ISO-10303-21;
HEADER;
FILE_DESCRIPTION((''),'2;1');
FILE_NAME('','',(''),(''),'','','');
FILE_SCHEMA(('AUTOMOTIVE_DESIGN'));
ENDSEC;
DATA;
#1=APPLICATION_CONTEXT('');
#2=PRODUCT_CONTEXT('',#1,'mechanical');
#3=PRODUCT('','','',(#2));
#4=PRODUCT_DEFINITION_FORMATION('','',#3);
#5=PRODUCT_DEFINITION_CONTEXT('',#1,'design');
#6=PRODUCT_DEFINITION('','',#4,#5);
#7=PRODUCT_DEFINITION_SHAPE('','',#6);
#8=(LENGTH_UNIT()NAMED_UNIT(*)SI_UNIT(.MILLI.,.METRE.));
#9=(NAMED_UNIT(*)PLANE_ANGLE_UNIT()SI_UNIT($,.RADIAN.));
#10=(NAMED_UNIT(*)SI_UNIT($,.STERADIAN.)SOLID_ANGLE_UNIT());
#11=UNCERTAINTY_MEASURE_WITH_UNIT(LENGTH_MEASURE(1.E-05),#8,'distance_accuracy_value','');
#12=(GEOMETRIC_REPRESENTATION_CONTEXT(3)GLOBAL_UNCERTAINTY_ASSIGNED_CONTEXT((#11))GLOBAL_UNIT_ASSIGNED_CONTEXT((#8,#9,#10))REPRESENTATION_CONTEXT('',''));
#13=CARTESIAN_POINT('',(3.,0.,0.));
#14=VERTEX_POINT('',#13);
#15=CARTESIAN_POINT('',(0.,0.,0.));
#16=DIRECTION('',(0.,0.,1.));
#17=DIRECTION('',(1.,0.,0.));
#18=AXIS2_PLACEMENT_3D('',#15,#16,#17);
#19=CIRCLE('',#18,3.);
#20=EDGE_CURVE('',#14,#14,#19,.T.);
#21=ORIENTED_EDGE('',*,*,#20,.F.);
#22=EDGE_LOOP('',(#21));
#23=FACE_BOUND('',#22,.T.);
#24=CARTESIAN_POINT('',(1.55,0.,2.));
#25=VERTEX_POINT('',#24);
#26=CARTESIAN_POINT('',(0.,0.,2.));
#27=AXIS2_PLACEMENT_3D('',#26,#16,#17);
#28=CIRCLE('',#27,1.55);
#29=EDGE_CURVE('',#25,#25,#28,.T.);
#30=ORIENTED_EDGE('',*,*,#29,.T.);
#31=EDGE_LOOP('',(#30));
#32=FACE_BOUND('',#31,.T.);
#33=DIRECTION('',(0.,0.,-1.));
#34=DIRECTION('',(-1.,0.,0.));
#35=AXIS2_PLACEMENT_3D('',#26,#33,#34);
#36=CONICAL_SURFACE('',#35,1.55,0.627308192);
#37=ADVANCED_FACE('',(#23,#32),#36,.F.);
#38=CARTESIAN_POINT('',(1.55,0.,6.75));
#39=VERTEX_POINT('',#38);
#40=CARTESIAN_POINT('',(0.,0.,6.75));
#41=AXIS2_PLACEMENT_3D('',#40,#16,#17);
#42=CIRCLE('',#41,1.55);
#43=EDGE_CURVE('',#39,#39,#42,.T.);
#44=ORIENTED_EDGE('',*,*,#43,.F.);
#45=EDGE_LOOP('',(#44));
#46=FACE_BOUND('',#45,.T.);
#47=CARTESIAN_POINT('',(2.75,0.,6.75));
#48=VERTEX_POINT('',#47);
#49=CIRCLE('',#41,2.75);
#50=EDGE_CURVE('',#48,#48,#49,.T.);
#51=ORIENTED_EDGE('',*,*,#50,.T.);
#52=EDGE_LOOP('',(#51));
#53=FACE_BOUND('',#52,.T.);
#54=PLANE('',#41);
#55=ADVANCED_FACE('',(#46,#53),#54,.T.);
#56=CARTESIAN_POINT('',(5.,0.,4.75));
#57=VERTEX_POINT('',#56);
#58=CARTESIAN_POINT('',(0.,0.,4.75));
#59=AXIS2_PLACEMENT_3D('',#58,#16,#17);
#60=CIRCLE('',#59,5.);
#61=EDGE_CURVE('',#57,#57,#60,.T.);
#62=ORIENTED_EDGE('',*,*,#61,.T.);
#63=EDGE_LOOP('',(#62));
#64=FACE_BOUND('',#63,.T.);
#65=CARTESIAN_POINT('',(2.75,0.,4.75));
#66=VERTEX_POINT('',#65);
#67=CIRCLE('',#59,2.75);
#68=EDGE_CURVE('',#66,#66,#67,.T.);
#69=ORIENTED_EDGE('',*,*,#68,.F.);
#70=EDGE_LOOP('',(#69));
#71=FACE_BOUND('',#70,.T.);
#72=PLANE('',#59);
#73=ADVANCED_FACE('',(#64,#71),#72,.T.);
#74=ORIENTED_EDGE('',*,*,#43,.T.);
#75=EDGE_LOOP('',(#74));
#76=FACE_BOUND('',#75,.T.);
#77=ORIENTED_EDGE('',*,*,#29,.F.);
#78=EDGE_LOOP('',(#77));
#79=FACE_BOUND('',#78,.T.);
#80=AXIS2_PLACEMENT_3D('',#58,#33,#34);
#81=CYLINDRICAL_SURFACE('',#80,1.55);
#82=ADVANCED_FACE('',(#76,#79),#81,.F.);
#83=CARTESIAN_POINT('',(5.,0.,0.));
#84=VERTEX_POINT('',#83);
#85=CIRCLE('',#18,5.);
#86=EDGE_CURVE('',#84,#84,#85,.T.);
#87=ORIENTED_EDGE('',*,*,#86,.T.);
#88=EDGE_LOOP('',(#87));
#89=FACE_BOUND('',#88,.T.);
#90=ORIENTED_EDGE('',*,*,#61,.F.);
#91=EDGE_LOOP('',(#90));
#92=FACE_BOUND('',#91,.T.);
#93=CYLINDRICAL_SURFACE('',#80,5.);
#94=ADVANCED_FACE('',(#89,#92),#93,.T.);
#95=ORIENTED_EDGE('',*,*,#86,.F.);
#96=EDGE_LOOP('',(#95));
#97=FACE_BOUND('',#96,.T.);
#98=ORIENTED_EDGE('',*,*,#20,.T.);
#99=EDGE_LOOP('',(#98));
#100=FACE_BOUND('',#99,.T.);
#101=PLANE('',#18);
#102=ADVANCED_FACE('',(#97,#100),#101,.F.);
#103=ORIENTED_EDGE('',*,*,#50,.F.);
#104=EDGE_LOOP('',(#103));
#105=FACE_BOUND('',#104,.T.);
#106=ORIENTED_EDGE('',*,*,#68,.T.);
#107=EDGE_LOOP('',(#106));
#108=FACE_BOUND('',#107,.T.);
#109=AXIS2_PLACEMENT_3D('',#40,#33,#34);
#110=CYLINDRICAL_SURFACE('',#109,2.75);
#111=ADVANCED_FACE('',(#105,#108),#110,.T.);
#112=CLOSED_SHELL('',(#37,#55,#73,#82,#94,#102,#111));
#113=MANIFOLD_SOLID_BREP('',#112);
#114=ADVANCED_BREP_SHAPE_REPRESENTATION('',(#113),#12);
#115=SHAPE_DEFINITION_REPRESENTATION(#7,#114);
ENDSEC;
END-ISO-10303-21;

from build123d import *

# Parameters (mm, degrees)
SKETCH_1_R      = 5
SKETCH_1_R_2    = 1.55
EXTRUDE_1_DEPTH = 4.75
SKETCH_2_R      = 2.75
SKETCH_2_R_2    = 1.55
EXTRUDE_2_DEPTH = 2


with BuildPart() as part:
    # 草图1 → 凸台-拉伸1 (new body)
    with BuildSketch(Plane.XY):
        Circle(SKETCH_1_R)
        Circle(SKETCH_1_R_2, mode=Mode.SUBTRACT)
    extrude(amount=EXTRUDE_1_DEPTH)

    # 草图2 → 凸台-拉伸2 (add)
    with BuildSketch(Plane.XY.offset(4.75)):
        Circle(SKETCH_2_R)
        Circle(SKETCH_2_R_2, mode=Mode.SUBTRACT)
    extrude(amount=EXTRUDE_2_DEPTH)

    # 草图5 → 切除-旋转1 (revolve, cut)
    with BuildSketch(Plane(origin=(0, 0, 0), x_dir=(1, 0, 0), z_dir=(0, 1, 0))):
        Polygon((3, 0), (1.55, -2), (0, -2), (0, 0), align=None)
    revolve(axis=Axis((0, 0, 4.75), (0, 0, -1)), mode=Mode.SUBTRACT)


solid = part.part
